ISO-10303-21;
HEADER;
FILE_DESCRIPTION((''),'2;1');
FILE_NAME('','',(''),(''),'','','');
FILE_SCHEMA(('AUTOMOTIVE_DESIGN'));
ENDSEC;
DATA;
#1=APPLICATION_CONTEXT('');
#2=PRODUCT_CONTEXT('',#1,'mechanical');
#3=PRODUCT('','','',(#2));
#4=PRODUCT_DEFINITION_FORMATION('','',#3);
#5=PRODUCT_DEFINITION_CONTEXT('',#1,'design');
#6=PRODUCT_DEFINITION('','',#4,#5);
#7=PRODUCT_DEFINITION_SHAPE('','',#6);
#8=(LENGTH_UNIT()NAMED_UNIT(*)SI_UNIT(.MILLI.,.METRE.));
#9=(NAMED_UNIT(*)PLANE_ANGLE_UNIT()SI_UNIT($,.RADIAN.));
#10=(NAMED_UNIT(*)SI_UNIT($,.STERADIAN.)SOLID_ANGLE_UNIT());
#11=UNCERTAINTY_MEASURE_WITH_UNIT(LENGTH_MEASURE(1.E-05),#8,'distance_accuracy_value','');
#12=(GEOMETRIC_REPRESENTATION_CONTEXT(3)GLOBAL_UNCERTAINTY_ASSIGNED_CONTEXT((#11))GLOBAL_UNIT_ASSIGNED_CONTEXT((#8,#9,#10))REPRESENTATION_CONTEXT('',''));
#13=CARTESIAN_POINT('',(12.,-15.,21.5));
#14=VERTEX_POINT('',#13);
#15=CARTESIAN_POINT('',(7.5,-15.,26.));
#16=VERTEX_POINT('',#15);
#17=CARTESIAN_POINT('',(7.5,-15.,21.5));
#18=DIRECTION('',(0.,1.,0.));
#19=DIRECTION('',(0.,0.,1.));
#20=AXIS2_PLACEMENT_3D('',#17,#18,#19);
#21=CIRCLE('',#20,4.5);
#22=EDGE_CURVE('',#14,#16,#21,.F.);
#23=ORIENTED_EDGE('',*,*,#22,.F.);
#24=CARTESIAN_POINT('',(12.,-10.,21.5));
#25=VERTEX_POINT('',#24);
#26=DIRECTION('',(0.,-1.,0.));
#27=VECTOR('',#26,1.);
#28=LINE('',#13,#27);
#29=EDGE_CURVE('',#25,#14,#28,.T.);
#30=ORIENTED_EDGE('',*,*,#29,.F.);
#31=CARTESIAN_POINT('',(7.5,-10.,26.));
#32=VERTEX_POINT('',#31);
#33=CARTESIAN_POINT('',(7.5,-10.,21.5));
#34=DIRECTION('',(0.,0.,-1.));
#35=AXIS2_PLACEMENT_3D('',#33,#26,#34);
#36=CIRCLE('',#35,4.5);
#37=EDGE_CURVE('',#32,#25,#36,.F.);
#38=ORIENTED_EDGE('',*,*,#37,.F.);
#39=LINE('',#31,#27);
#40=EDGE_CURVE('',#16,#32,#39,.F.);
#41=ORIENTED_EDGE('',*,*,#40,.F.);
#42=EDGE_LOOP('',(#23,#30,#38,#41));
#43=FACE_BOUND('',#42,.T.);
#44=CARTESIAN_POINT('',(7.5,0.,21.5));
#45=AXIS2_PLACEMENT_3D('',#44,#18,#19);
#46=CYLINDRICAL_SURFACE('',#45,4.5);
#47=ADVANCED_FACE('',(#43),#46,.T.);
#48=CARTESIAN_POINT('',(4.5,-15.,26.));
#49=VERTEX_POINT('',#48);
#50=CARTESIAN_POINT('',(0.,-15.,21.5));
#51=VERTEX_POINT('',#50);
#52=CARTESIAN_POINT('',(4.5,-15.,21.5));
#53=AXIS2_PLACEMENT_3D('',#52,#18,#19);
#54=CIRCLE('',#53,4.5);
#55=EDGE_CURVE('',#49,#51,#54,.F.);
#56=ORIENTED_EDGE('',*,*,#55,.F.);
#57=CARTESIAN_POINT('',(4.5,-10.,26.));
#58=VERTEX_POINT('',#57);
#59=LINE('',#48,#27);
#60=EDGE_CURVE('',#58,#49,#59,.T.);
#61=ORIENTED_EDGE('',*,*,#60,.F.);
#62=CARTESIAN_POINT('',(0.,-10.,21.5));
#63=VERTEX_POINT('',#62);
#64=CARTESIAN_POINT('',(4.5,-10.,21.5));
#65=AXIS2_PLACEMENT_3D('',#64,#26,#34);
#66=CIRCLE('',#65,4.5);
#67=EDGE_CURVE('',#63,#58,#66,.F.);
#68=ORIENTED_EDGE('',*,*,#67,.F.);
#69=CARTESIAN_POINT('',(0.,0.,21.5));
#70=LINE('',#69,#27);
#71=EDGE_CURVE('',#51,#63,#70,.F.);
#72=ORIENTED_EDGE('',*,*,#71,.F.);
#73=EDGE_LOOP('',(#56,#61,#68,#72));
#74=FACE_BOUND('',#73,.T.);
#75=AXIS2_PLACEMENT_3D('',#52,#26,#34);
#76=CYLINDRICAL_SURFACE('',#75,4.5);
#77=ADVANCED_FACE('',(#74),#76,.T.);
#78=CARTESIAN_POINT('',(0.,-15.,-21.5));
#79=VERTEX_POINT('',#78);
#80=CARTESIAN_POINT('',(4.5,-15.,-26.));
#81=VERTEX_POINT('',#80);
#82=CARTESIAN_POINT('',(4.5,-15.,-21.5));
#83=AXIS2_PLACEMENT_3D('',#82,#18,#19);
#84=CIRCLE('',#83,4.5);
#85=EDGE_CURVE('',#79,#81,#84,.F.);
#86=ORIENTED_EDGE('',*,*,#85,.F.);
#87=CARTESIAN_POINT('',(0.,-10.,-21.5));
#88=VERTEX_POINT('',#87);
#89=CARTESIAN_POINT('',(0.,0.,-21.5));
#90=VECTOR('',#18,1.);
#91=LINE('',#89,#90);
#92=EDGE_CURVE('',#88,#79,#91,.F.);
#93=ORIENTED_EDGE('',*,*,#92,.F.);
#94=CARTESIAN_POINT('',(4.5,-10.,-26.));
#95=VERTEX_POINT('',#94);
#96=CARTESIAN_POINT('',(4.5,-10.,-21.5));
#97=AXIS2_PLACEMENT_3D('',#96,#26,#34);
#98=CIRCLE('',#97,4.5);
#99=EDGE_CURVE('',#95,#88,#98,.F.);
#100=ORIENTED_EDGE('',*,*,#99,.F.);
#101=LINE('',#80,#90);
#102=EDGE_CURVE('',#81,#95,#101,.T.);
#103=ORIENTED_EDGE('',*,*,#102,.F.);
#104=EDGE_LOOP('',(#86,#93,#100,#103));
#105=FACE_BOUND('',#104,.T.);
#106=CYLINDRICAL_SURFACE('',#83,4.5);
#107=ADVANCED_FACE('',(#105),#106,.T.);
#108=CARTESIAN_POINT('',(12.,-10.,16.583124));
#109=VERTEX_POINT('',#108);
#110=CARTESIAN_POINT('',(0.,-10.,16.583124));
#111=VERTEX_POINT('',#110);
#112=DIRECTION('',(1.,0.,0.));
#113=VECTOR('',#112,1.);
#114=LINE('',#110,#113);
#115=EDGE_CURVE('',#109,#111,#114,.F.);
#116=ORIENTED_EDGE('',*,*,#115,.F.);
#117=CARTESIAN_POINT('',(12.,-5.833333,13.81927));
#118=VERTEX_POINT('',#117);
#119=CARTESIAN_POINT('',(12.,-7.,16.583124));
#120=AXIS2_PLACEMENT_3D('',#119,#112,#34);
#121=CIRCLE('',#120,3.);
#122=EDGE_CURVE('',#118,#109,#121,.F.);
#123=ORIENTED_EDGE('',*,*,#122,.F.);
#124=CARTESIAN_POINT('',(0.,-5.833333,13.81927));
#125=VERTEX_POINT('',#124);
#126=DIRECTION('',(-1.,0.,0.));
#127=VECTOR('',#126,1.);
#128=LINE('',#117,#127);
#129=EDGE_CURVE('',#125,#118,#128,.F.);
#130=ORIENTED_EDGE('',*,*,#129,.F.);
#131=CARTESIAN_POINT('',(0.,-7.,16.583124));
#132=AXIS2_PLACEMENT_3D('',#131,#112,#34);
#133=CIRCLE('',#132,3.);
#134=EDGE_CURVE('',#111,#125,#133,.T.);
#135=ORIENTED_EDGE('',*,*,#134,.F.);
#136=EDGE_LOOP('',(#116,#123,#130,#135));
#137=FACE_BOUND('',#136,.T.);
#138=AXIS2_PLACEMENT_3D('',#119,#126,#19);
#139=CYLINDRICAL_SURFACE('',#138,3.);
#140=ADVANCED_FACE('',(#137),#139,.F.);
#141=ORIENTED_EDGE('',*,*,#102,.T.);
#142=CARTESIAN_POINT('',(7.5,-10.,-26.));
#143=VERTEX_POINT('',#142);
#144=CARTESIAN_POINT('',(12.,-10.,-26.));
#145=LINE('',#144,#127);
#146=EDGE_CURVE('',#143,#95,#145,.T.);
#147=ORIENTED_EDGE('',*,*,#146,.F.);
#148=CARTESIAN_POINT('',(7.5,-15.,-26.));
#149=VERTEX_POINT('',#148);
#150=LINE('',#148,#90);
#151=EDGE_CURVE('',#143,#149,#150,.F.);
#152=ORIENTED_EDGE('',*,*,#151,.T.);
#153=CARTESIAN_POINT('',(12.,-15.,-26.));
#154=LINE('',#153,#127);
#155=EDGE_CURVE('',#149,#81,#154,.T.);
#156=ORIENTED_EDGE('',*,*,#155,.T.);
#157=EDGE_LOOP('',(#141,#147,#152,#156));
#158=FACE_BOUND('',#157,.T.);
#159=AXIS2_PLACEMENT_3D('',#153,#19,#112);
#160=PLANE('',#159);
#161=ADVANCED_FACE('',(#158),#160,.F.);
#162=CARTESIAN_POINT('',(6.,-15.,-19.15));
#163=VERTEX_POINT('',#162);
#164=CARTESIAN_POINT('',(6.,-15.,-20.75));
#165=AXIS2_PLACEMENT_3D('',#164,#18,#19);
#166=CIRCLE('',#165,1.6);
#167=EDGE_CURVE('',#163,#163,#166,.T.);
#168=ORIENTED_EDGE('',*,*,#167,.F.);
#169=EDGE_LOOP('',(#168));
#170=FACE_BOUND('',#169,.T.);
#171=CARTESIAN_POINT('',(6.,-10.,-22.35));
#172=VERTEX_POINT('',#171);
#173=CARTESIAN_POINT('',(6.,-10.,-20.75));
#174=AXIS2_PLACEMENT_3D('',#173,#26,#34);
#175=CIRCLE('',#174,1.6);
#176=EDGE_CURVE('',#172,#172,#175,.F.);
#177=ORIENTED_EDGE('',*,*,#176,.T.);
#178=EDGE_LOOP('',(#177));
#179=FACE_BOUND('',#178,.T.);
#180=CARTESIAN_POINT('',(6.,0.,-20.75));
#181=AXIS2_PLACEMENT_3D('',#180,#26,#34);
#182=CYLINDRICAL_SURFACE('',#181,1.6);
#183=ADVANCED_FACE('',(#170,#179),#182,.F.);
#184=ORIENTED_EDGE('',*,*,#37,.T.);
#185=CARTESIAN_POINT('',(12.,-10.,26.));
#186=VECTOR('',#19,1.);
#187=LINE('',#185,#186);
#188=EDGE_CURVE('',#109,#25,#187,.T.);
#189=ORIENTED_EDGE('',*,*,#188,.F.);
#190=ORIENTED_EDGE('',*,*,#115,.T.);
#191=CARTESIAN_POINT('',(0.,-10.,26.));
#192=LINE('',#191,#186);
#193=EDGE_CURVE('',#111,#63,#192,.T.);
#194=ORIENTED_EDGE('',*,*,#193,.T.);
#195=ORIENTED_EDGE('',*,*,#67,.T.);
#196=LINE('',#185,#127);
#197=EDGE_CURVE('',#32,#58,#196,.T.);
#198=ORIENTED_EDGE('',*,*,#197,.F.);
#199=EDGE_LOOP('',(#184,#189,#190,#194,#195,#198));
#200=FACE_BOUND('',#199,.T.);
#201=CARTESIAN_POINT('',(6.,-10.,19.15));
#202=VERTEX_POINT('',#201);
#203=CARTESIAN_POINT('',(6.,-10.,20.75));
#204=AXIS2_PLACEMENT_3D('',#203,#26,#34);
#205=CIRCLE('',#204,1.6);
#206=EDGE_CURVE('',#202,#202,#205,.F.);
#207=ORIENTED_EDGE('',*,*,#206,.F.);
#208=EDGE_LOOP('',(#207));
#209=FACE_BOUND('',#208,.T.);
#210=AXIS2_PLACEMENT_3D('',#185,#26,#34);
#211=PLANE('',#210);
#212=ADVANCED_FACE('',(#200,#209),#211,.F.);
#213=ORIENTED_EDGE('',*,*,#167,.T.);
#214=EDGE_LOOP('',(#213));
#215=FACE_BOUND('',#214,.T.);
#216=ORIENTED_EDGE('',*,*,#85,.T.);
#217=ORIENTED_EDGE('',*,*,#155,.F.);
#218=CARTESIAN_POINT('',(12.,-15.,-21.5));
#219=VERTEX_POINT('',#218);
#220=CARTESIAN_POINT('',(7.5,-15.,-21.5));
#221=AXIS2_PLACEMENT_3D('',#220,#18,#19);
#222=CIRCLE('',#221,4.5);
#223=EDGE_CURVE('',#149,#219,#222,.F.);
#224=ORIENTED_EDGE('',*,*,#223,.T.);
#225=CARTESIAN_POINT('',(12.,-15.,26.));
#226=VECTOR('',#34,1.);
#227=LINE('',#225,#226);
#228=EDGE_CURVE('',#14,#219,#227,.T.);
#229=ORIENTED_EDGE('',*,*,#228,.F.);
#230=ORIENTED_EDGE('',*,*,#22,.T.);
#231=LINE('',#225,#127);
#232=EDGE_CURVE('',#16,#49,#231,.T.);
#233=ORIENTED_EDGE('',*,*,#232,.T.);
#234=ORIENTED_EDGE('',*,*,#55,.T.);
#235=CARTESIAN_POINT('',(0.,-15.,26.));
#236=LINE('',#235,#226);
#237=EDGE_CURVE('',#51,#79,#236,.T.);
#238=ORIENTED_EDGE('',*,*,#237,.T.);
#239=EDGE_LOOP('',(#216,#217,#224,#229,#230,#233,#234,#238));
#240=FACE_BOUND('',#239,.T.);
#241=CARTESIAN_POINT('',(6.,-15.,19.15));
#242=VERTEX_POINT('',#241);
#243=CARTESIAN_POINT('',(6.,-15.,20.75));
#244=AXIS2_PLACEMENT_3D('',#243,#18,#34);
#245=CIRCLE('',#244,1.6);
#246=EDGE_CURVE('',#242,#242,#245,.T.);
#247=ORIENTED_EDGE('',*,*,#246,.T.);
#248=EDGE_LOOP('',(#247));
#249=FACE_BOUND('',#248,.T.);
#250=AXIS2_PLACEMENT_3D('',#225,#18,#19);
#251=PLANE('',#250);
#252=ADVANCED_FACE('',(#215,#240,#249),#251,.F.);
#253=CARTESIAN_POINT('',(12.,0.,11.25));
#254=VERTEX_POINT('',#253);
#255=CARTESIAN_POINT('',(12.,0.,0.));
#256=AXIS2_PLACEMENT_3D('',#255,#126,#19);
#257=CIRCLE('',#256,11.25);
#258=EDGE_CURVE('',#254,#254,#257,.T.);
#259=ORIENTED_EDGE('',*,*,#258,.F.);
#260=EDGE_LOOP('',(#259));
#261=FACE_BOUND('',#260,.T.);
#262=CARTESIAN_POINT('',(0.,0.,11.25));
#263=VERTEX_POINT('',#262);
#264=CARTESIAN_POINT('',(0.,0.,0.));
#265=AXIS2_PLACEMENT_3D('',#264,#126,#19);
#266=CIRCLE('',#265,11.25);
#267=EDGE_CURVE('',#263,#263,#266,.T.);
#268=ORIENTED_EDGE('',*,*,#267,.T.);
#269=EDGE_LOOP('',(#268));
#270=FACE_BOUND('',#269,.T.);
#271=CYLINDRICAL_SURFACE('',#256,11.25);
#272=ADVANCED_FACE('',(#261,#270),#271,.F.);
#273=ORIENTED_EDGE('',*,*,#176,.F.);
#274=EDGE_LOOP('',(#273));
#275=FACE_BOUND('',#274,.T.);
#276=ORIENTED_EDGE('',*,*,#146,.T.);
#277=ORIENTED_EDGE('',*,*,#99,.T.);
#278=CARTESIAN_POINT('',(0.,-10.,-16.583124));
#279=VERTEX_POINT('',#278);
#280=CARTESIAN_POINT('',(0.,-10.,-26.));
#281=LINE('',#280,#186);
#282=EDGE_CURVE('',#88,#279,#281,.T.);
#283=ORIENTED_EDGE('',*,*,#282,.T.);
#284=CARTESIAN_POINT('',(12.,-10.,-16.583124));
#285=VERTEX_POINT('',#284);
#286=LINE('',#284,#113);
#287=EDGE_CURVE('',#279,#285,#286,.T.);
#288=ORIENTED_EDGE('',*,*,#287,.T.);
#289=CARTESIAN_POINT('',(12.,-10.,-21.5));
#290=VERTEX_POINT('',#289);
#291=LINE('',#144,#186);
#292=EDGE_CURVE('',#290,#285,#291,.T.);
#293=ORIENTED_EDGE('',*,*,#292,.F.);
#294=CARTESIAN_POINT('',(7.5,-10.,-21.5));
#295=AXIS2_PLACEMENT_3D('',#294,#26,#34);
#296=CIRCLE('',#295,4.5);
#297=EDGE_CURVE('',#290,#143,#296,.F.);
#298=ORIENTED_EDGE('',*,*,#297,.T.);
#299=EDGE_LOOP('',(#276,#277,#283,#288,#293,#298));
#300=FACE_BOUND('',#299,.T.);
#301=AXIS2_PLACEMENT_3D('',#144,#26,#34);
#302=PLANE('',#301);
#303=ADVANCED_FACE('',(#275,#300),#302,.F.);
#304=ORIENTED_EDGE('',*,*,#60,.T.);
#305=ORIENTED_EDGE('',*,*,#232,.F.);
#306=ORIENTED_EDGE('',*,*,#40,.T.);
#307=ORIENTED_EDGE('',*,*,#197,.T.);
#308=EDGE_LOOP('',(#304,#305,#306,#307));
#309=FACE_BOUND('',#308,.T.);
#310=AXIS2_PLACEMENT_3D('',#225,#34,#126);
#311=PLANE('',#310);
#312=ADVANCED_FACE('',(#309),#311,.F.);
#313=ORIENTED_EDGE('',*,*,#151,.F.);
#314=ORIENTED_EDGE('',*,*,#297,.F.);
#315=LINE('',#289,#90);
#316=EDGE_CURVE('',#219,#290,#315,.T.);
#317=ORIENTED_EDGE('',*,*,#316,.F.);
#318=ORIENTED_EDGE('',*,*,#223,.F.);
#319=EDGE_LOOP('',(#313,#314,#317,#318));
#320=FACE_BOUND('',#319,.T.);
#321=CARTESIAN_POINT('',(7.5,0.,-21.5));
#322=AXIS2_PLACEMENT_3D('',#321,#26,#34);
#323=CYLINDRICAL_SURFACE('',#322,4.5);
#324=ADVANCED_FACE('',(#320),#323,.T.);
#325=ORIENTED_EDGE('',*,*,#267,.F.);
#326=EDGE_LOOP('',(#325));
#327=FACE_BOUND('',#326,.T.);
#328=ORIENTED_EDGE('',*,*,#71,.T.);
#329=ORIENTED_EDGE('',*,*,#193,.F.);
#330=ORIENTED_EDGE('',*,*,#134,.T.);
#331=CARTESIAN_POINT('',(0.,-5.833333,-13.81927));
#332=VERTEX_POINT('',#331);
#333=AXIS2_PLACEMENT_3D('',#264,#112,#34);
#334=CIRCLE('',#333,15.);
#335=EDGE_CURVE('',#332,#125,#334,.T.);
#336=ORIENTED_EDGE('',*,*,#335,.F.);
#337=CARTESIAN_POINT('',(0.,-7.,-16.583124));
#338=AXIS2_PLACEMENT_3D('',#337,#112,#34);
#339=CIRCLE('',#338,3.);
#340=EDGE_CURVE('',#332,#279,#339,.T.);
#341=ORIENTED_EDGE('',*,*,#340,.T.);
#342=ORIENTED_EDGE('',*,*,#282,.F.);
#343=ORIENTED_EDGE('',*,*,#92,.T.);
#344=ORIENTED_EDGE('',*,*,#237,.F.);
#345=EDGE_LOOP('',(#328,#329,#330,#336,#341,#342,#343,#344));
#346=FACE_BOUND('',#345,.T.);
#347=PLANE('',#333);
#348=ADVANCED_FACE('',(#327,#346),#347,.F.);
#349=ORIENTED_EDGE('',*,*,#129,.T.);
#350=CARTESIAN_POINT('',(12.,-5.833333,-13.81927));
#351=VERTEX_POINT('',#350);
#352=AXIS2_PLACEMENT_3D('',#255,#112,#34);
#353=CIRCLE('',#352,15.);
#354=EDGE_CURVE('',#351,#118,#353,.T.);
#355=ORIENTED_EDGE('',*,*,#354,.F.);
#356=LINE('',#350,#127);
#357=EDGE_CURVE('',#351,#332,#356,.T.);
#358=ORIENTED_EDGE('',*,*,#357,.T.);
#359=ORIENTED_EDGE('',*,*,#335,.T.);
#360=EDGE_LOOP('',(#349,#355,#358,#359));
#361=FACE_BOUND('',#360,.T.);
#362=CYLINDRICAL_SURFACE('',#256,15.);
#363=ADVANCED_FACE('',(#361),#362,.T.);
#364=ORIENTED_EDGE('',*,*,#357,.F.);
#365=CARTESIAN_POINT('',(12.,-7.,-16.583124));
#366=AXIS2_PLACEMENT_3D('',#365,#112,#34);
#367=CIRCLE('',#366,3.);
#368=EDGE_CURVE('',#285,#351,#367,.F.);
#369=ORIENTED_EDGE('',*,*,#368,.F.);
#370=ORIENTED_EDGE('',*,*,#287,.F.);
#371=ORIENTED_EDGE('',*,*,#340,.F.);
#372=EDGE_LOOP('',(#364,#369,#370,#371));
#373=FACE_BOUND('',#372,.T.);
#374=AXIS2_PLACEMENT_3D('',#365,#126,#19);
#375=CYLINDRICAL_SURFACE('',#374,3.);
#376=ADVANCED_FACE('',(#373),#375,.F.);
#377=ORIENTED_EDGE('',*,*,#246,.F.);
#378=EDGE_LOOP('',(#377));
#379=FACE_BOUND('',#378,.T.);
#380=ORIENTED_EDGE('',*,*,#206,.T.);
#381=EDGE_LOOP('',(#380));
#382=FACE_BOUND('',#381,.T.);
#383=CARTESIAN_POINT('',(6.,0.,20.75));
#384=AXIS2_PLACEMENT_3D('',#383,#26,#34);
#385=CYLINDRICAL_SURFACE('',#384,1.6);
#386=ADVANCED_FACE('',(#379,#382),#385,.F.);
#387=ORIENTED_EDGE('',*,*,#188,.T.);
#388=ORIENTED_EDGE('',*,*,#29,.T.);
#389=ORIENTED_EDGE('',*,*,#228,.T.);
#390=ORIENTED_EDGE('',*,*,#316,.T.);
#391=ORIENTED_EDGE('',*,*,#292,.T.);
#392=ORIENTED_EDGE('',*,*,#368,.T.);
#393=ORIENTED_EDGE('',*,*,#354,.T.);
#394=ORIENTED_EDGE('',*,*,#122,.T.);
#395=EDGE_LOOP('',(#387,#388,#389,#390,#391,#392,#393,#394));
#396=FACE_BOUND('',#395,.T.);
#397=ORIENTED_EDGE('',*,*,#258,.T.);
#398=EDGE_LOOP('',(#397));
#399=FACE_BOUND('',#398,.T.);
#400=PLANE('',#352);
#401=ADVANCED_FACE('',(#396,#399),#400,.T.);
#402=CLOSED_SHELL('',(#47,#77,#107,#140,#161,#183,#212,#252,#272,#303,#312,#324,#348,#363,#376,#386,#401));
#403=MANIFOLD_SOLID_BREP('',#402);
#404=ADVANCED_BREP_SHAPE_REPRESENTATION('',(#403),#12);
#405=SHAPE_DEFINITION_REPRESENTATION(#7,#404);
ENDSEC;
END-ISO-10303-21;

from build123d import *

# Parameters (mm, degrees)
SALIENTE_EXTRUIR1_DEPTH    = 12
CROQUIS2_R                 = 11.25
CORTAR_EXTRUIR1_DEPTH      = 33.32645975
REDONDEO1_R                = 3
REDONDEO2_R                = 4.5
CORTAR_EXTRUIR2_DEPTH      = 10
CORTAR_EXTRUIR2_DEPTH_BACK = 39.013155617
CROQUIS3_R                 = 1.6


with BuildPart() as part:
    # Croquis1 → Saliente-Extruir1 (new body)
    with BuildSketch(Plane(origin=(0, 0, 0), x_dir=(0, 0, -1), z_dir=(1, 0, 0))):
        with BuildLine():
            Line((-26, -15), (26, -15))
            Line((26, -15), (26, -10))
            Line((26, -10), (11.180339887, -10))
            ThreePointArc((11.180339887, -10), (0, 15), (-11.180339887, -10))
            Line((-11.180339887, -10), (-26, -10))
            Line((-26, -10), (-26, -15))
        make_face()
    extrude(amount=SALIENTE_EXTRUIR1_DEPTH)

    # Croquis2 → Cortar-Extruir1 (cut, through all)
    with BuildSketch(Plane.ZY):
        Circle(CROQUIS2_R)
    extrude(amount=-CORTAR_EXTRUIR1_DEPTH, mode=Mode.SUBTRACT)

    # Redondeo1
    redondeo1_edges = [part.edges().sort_by_distance(p)[0] for p in [
        (6, -10, 11.180339887),
        (6, -10, -11.180339887),
    ]]
    fillet(redondeo1_edges, radius=REDONDEO1_R)

    # Redondeo2
    redondeo2_edges = [part.edges().sort_by_distance(p)[0] for p in [
        (12, -12.5, -26),
        (0, -12.5, -26),
        (0, -12.5, 26),
        (12, -12.5, 26),
    ]]
    fillet(redondeo2_edges, radius=REDONDEO2_R)

    # Croquis3 → Cortar-Extruir2 (cut, two sides: drawn at the far end of the back side and taken through both)
    with BuildSketch(Plane(origin=(0, -10, 0), x_dir=(1, 0, 0), z_dir=(0, 1, 0)).offset(-CORTAR_EXTRUIR2_DEPTH_BACK)):
        with Locations((6, 20.75)):
            Circle(CROQUIS3_R)
        with Locations((6, -20.75)):
            Circle(CROQUIS3_R)
    extrude(amount=CORTAR_EXTRUIR2_DEPTH + CORTAR_EXTRUIR2_DEPTH_BACK, mode=Mode.SUBTRACT)


solid = part.part
